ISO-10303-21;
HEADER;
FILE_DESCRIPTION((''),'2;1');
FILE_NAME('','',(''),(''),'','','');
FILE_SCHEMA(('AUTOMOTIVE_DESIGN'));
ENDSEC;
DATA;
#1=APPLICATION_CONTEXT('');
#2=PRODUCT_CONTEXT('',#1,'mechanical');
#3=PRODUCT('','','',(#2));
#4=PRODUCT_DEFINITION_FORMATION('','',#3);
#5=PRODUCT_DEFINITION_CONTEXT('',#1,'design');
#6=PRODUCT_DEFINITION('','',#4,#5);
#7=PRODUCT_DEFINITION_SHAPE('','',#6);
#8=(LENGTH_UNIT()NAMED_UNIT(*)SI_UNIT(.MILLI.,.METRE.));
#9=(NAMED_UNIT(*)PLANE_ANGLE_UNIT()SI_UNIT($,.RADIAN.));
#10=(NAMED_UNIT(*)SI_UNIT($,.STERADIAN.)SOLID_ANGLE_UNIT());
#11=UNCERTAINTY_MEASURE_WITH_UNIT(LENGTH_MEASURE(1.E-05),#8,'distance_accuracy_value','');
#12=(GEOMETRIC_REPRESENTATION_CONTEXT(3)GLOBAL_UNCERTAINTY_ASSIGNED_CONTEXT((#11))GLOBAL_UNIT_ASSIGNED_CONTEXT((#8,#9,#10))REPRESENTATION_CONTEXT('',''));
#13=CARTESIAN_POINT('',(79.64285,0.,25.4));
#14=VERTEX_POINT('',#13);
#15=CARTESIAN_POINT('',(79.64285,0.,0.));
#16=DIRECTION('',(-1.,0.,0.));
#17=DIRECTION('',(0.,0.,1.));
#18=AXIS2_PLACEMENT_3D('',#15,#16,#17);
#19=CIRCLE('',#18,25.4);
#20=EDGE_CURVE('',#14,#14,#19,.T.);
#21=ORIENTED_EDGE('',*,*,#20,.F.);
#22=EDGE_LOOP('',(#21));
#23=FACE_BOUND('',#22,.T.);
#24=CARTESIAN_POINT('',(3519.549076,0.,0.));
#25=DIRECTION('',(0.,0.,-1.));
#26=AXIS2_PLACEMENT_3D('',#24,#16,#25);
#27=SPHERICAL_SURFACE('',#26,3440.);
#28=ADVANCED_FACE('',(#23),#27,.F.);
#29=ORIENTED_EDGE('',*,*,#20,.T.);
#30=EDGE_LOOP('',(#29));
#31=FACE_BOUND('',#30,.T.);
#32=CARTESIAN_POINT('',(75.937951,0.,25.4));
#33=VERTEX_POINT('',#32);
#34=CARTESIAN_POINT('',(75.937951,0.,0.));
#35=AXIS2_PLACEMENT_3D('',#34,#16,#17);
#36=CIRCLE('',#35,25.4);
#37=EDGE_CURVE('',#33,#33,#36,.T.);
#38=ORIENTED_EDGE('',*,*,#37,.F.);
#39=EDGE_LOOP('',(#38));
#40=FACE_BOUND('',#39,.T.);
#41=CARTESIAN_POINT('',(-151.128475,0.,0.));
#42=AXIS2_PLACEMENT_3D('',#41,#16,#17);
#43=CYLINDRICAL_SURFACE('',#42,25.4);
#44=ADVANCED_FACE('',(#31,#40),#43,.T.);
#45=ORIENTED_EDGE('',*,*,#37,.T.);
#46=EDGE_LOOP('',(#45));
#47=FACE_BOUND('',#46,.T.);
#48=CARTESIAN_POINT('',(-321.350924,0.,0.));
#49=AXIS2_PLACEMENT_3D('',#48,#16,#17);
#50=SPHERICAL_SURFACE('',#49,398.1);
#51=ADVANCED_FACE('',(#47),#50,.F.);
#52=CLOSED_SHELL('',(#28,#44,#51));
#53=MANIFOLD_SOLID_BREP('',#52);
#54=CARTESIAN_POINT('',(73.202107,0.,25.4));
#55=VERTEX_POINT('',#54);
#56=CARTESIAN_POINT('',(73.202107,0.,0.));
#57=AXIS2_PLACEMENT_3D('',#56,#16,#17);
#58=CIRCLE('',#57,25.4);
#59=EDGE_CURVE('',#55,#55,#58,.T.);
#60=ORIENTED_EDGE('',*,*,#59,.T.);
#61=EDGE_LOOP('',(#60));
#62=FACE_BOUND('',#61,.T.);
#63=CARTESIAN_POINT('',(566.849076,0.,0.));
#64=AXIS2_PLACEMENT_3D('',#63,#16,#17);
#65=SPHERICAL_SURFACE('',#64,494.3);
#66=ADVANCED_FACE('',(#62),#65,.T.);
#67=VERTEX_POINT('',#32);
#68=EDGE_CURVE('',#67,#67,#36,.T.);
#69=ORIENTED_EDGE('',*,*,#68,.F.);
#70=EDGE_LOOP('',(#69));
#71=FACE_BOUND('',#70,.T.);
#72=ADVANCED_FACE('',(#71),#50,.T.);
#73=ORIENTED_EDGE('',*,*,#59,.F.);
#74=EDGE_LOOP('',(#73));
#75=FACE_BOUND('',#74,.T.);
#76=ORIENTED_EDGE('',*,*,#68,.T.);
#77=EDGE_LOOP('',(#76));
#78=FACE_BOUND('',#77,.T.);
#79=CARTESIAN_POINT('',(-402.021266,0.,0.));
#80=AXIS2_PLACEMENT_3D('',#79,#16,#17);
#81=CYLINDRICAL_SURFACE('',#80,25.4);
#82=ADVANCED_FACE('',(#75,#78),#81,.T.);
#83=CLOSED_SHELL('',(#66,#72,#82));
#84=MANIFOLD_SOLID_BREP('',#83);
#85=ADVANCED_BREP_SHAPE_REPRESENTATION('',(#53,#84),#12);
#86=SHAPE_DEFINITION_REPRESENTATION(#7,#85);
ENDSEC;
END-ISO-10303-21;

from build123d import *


with BuildPart() as part:
    # 草图1 one side → 旋转1 (revolve)
    with BuildSketch(Plane(origin=(0, 0, 0), x_dir=(1, 0, 0), z_dir=(0, 1, 0)), mode=Mode.PRIVATE) as revolve_1_sk:
        with BuildLine():
            ThreePointArc((73.202106875, 25.4), (72.712360592, 12.704196644), (72.549075872, 0))
            Line((72.549075872, 0), (76.749075872, 0))
            ThreePointArc((76.749075872, 0), (76.546242887, 12.706473982), (75.937950622, 25.4))
            Line((75.937950622, 25.4), (73.202106875, 25.4))
        make_face()
    revolve(revolve_1_sk.sketch.rotate(Axis((-402.021265573, 0, 0), (1, 0, 0)), 180), axis=Axis((-402.021265573, 0, 0), (1, 0, 0)))  # turned: the seam where the file's is


with BuildPart() as body_2:
    # 草图2 one side → 旋转3 (revolve)
    with BuildSketch(Plane(origin=(0, 0, 0), x_dir=(1, 0, 0), z_dir=(0, 1, 0)), mode=Mode.PRIVATE) as revolve_3_sk:
        with BuildLine():
            Line((79.642850406, 25.4), (75.937950622, 25.4))
            ThreePointArc((75.937950622, 25.4), (76.546242887, 12.706473982), (76.749075872, 0))
            Line((76.749075872, 0), (79.549075872, 0))
            ThreePointArc((79.549075872, 0), (79.572519585, 12.700086552), (79.642850406, 25.4))
        make_face()
    revolve(revolve_3_sk.sketch.rotate(Axis((-151.128475118, 0, 0), (1, 0, 0)), 180), axis=Axis((-151.128475118, 0, 0), (1, 0, 0)))  # turned: the seam where the file's is


solid = Compound([part.part, body_2.part])
